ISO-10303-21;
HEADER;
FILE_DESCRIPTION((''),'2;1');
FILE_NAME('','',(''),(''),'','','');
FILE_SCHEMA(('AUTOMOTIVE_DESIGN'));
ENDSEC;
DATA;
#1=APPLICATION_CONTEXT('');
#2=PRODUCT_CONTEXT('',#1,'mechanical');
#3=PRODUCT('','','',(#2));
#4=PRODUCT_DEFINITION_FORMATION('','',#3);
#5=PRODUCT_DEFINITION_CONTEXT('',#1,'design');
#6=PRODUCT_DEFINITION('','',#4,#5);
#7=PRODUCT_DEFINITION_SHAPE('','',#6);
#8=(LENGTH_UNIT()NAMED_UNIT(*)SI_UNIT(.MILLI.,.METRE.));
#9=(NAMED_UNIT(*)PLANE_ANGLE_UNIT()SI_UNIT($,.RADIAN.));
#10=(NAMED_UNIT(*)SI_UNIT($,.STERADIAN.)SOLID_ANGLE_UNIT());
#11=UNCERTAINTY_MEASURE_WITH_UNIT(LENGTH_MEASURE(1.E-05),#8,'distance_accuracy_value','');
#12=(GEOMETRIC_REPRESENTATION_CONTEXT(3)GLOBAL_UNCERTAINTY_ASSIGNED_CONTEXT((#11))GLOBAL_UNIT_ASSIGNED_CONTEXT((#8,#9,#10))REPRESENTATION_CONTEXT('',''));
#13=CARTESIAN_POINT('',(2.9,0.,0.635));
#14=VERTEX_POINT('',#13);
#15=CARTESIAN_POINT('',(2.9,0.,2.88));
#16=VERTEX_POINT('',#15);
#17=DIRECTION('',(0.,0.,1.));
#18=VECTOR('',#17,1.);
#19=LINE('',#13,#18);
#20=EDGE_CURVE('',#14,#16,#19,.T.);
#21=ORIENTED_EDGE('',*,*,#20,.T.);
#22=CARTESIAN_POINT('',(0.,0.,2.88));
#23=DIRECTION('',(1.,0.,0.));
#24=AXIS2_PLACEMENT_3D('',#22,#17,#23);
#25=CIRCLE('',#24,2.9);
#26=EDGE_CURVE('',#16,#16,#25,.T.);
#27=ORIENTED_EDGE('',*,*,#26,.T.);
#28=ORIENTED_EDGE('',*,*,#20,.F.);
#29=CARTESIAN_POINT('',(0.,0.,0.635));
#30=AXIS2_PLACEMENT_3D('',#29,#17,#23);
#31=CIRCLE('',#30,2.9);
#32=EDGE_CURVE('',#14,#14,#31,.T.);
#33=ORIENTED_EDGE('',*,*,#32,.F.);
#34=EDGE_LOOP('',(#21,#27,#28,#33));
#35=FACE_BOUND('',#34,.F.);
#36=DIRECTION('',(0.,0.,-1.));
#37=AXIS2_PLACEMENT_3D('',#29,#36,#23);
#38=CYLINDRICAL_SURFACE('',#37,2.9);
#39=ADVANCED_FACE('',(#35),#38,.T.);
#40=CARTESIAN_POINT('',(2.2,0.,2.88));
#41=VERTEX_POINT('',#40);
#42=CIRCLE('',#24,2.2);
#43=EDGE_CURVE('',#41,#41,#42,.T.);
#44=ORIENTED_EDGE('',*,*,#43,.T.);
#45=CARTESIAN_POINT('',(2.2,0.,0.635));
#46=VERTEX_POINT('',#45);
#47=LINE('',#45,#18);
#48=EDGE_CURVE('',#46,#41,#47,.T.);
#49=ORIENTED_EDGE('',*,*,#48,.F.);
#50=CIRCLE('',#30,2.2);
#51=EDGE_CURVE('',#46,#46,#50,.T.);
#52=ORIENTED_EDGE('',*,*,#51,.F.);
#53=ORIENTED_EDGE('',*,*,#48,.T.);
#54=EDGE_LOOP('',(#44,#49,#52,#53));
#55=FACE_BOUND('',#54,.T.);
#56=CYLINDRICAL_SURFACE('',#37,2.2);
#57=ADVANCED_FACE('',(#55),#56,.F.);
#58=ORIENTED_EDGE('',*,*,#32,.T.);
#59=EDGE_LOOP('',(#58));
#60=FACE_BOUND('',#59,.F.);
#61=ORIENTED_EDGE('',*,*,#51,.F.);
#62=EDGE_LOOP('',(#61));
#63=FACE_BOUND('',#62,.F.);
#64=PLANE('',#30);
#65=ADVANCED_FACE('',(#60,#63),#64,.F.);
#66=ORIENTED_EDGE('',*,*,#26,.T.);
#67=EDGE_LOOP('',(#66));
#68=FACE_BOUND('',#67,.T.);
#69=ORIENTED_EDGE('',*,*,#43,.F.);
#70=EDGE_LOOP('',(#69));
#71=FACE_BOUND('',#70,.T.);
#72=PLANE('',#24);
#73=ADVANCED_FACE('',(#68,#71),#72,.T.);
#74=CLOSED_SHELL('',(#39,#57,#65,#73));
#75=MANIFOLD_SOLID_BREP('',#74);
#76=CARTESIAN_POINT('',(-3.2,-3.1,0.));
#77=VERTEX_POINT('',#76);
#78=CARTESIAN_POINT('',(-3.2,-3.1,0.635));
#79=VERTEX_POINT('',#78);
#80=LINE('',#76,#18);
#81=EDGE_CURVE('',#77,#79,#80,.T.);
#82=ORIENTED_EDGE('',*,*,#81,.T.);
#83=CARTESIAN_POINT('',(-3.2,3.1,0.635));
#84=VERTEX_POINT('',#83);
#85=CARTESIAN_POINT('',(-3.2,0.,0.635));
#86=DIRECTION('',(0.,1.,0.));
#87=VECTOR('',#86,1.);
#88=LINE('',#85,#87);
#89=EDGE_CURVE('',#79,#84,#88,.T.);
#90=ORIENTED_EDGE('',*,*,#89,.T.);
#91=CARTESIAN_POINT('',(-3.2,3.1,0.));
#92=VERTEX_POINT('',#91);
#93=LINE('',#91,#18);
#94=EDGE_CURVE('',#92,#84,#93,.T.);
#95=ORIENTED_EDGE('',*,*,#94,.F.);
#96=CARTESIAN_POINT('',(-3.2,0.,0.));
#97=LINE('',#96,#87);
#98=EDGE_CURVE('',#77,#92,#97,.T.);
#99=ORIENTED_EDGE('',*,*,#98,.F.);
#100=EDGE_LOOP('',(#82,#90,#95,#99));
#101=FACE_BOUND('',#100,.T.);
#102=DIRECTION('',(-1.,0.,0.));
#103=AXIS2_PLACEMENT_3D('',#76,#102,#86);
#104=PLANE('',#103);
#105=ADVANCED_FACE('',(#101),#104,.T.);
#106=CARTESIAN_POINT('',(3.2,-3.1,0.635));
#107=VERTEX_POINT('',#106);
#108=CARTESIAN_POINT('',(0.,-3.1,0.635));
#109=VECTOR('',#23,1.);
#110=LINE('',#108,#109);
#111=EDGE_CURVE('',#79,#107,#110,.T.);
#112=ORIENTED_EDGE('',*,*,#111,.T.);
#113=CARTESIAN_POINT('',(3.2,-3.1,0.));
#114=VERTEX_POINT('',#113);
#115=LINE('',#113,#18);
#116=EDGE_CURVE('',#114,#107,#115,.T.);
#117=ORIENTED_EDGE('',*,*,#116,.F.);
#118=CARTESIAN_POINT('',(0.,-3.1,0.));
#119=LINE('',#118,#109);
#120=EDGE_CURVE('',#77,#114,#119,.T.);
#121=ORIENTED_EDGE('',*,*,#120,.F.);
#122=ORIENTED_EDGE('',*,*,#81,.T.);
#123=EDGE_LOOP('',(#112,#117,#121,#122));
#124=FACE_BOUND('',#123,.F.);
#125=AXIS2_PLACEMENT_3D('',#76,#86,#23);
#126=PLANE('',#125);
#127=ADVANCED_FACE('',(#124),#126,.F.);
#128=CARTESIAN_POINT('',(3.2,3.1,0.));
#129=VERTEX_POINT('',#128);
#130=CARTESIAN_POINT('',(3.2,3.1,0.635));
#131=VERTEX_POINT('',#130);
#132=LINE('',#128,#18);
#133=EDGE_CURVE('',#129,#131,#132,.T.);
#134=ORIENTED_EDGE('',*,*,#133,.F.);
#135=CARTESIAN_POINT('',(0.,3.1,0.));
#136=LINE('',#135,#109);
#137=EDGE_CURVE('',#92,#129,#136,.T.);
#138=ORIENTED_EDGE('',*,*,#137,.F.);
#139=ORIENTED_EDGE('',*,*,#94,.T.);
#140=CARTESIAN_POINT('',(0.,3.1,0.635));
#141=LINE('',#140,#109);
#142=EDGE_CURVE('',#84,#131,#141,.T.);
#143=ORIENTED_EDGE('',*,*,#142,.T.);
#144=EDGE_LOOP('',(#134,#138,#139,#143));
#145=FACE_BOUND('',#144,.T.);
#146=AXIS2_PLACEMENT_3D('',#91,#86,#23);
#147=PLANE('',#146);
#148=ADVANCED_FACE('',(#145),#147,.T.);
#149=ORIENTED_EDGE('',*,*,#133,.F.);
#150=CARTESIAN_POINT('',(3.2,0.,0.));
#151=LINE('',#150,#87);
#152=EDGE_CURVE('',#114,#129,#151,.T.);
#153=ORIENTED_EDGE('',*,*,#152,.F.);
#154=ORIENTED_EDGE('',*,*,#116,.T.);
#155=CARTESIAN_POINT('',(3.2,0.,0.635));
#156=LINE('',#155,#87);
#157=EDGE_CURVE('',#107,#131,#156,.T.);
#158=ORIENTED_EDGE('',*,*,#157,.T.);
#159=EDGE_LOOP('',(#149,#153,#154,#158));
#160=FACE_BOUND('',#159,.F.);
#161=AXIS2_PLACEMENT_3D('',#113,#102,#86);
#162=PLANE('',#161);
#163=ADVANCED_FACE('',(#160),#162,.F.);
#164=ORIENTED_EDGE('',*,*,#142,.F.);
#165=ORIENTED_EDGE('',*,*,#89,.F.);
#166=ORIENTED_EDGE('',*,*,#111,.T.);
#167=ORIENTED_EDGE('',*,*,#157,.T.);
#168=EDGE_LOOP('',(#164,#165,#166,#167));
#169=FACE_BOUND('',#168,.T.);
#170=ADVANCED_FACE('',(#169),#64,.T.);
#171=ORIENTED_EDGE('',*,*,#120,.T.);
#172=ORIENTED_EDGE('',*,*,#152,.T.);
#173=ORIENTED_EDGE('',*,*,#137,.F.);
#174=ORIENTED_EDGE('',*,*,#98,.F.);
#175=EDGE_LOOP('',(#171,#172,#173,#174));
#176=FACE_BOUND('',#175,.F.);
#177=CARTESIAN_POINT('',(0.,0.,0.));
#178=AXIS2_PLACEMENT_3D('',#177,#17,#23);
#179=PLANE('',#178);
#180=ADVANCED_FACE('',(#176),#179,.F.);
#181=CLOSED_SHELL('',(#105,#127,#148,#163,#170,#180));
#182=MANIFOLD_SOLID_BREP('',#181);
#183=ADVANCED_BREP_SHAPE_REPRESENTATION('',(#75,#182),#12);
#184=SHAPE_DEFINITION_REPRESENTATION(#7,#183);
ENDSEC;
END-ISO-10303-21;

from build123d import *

# Parameters (mm, degrees)
SKETCH_W      = 6.4
SKETCH_H      = 6.2
PAD_DEPTH     = 0.635
SKETCH001_R   = 2.9
SKETCH001_R_2 = 2.2
PAD001_DEPTH  = 2.245


with BuildPart() as pad:
    # Sketch → Pad (new body)
    with BuildSketch(Plane.XY):
        Rectangle(SKETCH_W, SKETCH_H)
    extrude(amount=PAD_DEPTH)


with BuildPart() as pad001:
    # Sketch001 → Pad001 (new body)
    with BuildSketch(Plane.XY.offset(0.635)):
        Circle(SKETCH001_R)
        Circle(SKETCH001_R_2, mode=Mode.SUBTRACT)
    extrude(amount=PAD001_DEPTH)


solid = Compound([pad.part, pad001.part])
